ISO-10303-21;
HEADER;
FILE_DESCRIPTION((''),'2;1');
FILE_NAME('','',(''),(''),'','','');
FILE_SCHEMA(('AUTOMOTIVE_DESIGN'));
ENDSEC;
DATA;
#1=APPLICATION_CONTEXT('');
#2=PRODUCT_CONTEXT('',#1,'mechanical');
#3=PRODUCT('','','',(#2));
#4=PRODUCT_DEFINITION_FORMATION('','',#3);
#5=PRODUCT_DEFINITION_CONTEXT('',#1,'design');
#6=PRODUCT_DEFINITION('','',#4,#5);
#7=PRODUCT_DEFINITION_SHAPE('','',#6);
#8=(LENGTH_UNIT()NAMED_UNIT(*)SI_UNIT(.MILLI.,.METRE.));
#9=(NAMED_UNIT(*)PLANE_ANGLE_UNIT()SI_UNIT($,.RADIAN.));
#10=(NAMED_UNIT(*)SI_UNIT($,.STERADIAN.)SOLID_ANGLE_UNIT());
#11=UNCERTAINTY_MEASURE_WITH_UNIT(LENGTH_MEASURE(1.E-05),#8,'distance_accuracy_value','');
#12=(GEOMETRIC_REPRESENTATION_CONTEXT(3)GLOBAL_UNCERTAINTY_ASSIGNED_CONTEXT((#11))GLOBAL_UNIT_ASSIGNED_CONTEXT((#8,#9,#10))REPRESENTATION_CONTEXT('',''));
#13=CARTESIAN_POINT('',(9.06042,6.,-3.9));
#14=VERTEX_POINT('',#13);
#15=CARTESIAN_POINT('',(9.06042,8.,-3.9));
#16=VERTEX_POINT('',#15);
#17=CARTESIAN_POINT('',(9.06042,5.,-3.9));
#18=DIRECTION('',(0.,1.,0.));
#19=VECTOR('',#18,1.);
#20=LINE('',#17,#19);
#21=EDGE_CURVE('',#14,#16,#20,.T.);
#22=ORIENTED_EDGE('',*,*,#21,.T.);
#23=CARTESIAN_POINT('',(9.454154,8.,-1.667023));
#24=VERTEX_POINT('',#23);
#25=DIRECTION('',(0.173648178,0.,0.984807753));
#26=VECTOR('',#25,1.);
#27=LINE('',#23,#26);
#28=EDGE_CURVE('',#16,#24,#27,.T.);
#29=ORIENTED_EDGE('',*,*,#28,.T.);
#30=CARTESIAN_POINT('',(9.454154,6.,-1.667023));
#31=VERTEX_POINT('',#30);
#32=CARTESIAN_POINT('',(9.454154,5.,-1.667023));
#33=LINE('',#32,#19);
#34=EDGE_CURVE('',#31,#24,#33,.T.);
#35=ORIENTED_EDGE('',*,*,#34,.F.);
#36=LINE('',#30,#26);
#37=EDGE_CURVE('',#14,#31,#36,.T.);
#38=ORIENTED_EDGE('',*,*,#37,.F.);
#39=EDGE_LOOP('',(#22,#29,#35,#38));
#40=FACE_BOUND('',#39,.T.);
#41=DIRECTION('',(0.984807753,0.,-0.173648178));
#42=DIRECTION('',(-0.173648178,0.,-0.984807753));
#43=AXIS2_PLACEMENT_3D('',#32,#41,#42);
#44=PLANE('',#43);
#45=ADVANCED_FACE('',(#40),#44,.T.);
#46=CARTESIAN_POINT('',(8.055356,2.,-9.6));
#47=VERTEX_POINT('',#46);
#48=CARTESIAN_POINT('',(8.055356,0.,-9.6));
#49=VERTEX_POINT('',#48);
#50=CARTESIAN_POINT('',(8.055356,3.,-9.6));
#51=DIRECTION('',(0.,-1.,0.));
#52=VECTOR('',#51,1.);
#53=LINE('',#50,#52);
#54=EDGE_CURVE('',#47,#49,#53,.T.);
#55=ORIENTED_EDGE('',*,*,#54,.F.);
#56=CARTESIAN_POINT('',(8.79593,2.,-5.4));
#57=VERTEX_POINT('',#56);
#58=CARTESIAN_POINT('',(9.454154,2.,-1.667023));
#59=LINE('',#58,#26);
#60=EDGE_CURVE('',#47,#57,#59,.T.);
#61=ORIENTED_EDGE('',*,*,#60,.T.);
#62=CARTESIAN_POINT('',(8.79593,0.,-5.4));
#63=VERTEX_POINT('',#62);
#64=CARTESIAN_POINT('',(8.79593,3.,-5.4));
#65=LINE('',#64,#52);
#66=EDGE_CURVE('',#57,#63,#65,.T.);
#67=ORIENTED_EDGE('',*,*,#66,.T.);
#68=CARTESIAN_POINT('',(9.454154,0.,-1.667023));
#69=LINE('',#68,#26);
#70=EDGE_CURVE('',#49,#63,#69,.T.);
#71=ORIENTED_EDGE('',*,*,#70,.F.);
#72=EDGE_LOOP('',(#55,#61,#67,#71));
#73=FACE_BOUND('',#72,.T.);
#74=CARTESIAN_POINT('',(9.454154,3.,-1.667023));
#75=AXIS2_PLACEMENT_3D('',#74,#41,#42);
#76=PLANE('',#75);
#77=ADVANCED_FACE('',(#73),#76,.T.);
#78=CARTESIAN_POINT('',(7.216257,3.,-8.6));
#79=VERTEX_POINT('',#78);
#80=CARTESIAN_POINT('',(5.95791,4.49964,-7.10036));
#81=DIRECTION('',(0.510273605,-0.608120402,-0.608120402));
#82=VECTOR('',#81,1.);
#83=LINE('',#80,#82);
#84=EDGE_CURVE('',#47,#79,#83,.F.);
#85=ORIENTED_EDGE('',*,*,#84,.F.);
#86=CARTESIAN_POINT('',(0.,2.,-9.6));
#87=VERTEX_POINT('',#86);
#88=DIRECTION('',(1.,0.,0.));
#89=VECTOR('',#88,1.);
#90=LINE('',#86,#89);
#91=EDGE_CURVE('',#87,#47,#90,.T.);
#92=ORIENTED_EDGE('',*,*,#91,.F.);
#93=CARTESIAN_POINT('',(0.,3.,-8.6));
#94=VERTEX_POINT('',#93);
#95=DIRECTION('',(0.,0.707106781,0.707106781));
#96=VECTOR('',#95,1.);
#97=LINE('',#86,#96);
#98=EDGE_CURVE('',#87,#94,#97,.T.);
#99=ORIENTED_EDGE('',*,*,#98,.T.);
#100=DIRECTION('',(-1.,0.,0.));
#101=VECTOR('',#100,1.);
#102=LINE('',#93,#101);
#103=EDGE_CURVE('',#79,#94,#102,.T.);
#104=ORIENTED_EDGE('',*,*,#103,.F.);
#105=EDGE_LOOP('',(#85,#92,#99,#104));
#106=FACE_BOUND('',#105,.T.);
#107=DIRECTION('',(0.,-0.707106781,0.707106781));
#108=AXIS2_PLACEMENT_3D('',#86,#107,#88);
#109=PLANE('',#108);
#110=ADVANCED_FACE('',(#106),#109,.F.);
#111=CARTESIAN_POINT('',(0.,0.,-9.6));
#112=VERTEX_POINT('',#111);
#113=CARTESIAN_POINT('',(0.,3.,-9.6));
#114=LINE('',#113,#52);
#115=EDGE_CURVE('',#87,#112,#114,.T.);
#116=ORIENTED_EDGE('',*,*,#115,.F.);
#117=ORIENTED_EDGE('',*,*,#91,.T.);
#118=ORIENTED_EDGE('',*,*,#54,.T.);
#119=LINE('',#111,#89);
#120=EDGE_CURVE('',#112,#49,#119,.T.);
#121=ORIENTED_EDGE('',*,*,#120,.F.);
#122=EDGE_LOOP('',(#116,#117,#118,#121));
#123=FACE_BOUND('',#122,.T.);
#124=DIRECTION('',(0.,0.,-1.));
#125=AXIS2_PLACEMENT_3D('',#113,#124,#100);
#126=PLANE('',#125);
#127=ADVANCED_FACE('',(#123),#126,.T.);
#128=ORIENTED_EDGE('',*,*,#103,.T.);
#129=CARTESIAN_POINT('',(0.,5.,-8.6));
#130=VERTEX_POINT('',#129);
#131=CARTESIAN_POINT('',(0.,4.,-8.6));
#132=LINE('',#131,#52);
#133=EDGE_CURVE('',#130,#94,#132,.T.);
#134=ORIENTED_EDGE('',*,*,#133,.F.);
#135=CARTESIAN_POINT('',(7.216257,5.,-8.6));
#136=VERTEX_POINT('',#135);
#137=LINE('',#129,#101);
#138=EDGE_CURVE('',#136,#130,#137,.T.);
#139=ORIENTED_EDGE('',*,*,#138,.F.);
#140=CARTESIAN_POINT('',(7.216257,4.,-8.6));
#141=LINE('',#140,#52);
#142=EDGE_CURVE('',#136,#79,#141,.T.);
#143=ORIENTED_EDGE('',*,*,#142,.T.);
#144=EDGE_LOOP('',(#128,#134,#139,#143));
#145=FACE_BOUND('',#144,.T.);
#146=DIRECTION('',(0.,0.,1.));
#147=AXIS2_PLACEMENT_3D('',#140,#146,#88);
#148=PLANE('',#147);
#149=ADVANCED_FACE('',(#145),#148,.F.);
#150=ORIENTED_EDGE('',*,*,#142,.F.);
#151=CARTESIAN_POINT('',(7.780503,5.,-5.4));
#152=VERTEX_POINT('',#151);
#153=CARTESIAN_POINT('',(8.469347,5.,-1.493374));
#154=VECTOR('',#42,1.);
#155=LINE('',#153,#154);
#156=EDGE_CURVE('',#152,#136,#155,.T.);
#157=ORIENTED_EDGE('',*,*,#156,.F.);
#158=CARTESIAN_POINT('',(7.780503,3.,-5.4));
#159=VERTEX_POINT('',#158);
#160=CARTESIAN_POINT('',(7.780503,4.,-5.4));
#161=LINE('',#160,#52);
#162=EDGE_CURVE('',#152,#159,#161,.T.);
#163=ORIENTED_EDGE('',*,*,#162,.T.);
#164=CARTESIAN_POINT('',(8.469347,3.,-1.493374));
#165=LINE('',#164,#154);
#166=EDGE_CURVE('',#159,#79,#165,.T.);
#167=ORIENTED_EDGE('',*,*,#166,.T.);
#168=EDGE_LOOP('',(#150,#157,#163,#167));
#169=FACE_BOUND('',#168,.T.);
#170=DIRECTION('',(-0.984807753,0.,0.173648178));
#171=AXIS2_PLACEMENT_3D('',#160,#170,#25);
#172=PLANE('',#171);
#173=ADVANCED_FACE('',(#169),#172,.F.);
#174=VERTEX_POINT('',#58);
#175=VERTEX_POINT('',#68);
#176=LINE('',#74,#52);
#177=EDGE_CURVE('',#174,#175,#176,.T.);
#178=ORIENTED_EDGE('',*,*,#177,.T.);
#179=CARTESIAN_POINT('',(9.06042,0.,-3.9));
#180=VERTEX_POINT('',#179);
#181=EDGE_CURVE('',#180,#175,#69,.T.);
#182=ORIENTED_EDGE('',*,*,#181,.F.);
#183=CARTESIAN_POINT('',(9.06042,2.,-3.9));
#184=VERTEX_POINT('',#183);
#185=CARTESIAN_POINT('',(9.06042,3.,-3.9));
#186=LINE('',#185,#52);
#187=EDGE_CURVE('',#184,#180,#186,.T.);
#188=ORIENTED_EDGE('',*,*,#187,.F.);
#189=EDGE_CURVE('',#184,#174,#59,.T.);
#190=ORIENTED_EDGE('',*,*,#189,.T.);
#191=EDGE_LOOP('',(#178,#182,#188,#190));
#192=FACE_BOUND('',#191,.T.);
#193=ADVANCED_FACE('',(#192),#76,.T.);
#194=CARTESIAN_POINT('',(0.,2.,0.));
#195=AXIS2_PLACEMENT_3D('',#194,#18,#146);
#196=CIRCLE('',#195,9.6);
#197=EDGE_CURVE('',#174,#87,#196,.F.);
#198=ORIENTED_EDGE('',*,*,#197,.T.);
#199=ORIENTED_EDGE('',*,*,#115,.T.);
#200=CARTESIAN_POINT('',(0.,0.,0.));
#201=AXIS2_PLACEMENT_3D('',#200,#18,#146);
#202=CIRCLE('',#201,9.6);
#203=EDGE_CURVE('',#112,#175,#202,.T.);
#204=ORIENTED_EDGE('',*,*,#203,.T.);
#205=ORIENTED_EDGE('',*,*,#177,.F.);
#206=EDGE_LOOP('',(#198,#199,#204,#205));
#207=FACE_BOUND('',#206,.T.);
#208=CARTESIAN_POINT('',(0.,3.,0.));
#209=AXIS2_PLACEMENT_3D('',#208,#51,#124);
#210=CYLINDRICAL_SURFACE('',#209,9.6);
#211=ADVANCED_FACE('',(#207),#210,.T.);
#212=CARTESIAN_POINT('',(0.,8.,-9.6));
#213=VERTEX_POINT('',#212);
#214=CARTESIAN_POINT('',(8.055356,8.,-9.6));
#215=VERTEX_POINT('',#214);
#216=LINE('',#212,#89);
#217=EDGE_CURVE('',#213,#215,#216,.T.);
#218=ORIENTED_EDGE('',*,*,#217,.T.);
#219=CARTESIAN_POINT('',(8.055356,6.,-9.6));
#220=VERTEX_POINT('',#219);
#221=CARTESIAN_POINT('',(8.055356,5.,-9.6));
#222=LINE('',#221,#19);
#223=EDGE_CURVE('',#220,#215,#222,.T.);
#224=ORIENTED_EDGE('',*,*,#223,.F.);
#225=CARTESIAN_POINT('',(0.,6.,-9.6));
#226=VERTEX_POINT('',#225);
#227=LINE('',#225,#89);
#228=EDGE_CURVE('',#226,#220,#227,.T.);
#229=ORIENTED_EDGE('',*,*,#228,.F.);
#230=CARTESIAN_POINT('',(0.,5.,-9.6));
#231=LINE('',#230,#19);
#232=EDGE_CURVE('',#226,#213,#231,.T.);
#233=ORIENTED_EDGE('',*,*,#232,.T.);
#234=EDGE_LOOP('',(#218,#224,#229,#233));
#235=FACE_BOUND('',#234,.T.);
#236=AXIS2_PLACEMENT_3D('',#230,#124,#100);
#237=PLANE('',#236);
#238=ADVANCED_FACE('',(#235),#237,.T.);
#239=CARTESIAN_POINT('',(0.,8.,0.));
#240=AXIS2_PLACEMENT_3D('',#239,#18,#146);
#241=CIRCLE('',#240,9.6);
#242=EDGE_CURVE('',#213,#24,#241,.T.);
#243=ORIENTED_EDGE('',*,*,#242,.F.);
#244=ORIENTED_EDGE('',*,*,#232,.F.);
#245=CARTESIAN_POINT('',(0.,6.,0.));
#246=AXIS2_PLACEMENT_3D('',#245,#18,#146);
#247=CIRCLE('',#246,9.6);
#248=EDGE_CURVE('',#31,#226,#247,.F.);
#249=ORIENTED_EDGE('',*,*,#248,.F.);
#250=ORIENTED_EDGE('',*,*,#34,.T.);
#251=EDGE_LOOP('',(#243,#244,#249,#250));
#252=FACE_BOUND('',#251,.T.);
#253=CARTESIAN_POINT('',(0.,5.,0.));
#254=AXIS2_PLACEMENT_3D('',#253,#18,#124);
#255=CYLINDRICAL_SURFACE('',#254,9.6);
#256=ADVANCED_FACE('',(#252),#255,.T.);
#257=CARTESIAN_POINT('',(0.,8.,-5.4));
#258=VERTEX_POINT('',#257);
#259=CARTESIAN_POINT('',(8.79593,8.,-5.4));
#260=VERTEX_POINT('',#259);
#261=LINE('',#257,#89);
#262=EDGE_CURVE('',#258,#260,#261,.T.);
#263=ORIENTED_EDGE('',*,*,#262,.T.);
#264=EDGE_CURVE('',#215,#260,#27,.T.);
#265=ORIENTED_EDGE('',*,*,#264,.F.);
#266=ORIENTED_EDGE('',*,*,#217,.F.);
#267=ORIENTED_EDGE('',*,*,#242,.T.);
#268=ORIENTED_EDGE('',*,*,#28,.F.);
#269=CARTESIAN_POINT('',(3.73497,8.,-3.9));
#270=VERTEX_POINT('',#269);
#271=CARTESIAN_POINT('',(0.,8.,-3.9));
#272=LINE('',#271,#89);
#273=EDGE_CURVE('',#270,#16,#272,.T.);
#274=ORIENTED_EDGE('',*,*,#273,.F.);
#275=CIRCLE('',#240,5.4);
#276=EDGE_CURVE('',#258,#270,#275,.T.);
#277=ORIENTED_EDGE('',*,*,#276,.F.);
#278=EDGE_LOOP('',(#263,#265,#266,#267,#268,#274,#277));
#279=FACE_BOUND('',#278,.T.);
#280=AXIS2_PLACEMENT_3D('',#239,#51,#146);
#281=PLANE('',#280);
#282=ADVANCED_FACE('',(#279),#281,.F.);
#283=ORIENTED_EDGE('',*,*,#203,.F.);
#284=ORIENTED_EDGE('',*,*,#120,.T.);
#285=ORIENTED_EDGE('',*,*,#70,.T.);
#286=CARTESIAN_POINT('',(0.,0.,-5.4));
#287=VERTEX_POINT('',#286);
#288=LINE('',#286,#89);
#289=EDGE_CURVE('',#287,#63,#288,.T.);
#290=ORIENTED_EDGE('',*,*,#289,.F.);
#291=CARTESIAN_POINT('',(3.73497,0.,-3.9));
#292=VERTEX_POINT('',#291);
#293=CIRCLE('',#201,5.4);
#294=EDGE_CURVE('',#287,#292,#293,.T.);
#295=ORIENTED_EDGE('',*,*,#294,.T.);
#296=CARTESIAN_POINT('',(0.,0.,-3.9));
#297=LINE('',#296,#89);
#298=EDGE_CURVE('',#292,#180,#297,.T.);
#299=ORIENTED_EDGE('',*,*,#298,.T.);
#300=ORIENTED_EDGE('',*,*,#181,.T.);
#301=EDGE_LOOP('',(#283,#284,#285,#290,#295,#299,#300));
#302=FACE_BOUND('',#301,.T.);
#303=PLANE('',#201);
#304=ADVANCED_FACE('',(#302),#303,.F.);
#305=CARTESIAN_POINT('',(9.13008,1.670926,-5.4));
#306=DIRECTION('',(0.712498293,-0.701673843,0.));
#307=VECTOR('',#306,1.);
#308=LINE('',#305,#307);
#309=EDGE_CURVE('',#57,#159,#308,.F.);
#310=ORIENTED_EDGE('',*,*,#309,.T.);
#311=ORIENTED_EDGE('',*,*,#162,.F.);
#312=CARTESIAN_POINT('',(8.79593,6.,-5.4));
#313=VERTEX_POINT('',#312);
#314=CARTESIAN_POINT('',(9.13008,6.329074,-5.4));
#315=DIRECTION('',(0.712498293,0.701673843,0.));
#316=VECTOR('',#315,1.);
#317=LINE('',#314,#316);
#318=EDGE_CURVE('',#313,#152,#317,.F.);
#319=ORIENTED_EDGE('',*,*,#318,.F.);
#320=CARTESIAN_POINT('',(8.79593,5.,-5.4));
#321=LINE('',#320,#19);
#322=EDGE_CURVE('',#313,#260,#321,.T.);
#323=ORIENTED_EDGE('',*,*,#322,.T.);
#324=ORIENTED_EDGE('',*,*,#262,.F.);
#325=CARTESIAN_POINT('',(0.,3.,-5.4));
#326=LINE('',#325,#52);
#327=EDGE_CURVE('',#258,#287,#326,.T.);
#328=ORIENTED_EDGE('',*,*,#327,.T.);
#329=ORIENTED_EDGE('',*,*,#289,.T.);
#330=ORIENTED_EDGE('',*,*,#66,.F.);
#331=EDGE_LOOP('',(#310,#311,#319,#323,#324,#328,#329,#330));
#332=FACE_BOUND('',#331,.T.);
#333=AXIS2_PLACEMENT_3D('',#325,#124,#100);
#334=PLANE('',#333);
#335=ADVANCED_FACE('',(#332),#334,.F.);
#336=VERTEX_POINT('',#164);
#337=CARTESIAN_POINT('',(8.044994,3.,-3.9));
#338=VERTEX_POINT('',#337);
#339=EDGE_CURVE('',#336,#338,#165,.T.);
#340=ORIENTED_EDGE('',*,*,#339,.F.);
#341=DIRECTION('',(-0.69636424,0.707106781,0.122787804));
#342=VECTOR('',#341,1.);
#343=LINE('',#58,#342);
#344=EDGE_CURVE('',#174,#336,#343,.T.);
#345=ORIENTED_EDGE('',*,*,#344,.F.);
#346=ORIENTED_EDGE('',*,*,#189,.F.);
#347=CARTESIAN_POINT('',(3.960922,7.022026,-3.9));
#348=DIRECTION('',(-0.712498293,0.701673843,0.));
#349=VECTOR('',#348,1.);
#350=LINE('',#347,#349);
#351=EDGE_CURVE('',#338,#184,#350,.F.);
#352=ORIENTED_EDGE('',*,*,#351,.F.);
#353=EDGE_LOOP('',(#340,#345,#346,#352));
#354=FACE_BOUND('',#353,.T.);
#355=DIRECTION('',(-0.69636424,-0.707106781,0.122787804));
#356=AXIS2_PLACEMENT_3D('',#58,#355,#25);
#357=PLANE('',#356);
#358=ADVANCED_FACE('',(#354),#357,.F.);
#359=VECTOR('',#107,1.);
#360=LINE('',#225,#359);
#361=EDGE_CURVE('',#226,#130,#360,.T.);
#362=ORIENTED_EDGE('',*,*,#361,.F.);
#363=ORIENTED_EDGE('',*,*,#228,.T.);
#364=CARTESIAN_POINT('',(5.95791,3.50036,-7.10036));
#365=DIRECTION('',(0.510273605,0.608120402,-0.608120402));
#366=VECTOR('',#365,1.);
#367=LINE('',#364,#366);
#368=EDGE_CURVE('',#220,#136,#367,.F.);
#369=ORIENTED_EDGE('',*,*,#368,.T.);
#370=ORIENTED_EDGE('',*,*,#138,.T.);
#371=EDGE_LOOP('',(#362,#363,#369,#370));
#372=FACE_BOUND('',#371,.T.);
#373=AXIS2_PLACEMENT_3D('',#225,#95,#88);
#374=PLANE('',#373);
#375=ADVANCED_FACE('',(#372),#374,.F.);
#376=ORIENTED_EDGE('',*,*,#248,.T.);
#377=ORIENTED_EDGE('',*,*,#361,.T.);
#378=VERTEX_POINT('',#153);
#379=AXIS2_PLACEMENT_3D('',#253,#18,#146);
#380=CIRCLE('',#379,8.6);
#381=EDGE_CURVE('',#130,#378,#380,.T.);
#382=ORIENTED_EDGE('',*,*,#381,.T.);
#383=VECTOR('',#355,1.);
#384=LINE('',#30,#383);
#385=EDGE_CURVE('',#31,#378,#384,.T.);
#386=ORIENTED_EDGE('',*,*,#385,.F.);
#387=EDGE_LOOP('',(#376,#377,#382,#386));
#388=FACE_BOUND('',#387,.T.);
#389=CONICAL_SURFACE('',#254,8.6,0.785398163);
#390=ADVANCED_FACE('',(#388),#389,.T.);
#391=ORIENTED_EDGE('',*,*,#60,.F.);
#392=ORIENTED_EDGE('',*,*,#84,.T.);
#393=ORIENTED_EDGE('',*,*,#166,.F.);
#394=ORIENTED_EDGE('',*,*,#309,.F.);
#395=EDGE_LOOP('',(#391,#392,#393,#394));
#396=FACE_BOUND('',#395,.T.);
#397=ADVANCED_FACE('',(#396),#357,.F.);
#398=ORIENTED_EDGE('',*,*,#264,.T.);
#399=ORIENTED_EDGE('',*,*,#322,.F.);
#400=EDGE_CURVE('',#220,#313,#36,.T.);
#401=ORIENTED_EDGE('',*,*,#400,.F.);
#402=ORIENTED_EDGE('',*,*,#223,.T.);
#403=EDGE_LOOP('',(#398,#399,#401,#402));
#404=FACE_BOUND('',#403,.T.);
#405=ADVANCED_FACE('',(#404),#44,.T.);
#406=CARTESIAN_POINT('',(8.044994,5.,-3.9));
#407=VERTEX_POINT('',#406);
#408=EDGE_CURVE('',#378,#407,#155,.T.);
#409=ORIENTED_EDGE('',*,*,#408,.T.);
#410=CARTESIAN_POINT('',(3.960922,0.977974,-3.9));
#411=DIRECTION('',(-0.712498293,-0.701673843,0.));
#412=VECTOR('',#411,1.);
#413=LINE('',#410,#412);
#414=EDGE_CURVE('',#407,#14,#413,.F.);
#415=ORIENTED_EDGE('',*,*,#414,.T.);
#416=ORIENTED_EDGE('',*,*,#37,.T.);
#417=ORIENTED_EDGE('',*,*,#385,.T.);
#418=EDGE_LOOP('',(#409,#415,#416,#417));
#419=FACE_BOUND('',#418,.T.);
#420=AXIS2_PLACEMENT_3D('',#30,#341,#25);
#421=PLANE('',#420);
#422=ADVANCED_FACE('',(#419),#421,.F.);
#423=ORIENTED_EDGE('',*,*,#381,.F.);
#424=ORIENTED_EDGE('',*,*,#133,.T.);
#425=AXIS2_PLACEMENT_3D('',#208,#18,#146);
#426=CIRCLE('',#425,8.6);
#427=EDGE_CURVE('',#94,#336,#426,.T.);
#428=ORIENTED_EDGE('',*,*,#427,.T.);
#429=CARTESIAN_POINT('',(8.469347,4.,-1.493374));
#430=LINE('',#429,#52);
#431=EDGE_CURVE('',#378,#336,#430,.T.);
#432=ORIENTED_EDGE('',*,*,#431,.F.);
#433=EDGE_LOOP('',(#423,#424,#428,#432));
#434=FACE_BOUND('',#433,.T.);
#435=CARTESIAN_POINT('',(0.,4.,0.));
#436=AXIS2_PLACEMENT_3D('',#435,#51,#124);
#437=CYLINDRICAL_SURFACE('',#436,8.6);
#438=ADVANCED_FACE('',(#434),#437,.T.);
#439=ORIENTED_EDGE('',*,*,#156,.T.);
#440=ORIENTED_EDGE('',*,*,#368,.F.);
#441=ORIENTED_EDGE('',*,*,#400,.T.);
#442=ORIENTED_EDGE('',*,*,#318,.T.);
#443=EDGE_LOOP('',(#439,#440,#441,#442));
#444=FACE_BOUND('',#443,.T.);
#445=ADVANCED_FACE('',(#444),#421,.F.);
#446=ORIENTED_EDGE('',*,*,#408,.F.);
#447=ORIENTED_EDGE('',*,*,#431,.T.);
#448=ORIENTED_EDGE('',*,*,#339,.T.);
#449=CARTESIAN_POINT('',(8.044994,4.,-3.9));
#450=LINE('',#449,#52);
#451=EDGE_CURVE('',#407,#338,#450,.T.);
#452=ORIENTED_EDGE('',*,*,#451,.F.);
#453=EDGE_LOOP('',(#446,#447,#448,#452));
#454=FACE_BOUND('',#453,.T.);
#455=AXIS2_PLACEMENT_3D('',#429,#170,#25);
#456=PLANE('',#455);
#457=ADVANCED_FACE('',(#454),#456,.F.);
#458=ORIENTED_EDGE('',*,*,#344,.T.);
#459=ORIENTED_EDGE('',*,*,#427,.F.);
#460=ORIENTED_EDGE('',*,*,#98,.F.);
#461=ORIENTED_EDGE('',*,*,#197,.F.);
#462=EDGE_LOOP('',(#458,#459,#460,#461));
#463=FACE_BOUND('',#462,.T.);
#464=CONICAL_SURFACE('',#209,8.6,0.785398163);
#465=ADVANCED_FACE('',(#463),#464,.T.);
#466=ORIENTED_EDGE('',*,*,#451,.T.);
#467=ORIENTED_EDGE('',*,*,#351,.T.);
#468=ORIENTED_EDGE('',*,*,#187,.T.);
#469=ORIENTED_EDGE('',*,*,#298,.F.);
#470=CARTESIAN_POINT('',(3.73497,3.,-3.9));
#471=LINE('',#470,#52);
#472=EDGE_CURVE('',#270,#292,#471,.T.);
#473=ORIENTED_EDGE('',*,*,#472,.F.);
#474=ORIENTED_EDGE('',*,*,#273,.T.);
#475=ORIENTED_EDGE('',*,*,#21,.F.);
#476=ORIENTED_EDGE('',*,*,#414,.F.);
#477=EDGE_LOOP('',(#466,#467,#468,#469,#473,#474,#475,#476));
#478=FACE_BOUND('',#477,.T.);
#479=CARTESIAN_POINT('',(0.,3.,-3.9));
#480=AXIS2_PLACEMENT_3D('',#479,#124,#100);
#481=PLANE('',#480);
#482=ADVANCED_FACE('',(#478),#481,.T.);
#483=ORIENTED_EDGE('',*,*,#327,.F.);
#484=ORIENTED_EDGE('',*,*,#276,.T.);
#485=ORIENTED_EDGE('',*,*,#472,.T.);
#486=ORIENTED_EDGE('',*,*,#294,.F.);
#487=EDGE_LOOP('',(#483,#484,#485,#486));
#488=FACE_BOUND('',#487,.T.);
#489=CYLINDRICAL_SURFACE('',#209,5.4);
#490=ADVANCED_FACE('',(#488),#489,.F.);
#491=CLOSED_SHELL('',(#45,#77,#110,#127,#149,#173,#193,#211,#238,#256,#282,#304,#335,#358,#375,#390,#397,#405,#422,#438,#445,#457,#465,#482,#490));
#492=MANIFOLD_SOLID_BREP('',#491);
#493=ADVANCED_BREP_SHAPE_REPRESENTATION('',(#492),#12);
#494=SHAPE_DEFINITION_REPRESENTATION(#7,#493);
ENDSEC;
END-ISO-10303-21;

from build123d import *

# Parameters (mm, degrees)
BOSS_EXTRUDE1_DEPTH = 3
CHAMFER1_SIZE       = 1
BOSS_EXTRUDE2_DEPTH = 1


with BuildPart() as part:
    # Sketch1 → Boss-Extrude1 (new body)
    with BuildSketch(Plane(origin=(0, 0, 0), x_dir=(1, 0, 0), z_dir=(0, 1, 0))):
        with BuildLine():
            Line((8.055356459, 9.6), (0, 9.6))
            ThreePointArc((0, 9.6), (-6.170761053, -7.354026654), (9.454154429, 1.667022506))
            Line((9.454154429, 1.667022506), (9.060420249, 3.9))
            Line((9.060420249, 3.9), (3.734969879, 3.9))
            ThreePointArc((3.734969879, 3.9), (4.96632849, 2.120278596), (5.4, 0))
            ThreePointArc((5.4, 0), (-3.818376618, -3.818376618), (0, 5.4))
            Line((0, 5.4), (8.795929778, 5.4))
            Line((8.795929778, 5.4), (8.055356459, 9.6))
        make_face()
    extrude(amount=BOSS_EXTRUDE1_DEPTH)

    # Chamfer1
    chamfer1_edges = [part.edges().sort_by_distance(p)[0] for p in [
        (-6.170761053, 3, 7.354026654),
        (9.257287339, 3, -2.783511253),
        (8.425643119, 3, -7.5),
        (4.02767823, 3, -9.6),
    ]]
    chamfer(chamfer1_edges, length=CHAMFER1_SIZE)

    # Sketch3 → Boss-Extrude2 (add)
    with BuildSketch(Plane(origin=(0, 3, 0), x_dir=(1, 0, 0), z_dir=(0, 1, 0))):
        with BuildLine():
            Line((0, 5.4), (7.780503166, 5.4))
            Line((7.780503166, 5.4), (7.216256828, 8.6))
            Line((7.216256828, 8.6), (0, 8.6))
            ThreePointArc((0, 8.6), (-5.527973443, -6.587982211), (8.469346676, 1.493374328))
            Line((8.469346676, 1.493374328), (8.044993637, 3.9))
            Line((8.044993637, 3.9), (3.734969879, 3.9))
            ThreePointArc((3.734969879, 3.9), (-2.01246118, -5.010987927), (0, 5.4))
        make_face()
    extrude(amount=BOSS_EXTRUDE2_DEPTH)

    # Mirror1: part across plane


with BuildPart() as part_1:
    add(part.part)
    add(part.part.mirror(Plane.ZX.offset(4)))


solid = part_1.part
